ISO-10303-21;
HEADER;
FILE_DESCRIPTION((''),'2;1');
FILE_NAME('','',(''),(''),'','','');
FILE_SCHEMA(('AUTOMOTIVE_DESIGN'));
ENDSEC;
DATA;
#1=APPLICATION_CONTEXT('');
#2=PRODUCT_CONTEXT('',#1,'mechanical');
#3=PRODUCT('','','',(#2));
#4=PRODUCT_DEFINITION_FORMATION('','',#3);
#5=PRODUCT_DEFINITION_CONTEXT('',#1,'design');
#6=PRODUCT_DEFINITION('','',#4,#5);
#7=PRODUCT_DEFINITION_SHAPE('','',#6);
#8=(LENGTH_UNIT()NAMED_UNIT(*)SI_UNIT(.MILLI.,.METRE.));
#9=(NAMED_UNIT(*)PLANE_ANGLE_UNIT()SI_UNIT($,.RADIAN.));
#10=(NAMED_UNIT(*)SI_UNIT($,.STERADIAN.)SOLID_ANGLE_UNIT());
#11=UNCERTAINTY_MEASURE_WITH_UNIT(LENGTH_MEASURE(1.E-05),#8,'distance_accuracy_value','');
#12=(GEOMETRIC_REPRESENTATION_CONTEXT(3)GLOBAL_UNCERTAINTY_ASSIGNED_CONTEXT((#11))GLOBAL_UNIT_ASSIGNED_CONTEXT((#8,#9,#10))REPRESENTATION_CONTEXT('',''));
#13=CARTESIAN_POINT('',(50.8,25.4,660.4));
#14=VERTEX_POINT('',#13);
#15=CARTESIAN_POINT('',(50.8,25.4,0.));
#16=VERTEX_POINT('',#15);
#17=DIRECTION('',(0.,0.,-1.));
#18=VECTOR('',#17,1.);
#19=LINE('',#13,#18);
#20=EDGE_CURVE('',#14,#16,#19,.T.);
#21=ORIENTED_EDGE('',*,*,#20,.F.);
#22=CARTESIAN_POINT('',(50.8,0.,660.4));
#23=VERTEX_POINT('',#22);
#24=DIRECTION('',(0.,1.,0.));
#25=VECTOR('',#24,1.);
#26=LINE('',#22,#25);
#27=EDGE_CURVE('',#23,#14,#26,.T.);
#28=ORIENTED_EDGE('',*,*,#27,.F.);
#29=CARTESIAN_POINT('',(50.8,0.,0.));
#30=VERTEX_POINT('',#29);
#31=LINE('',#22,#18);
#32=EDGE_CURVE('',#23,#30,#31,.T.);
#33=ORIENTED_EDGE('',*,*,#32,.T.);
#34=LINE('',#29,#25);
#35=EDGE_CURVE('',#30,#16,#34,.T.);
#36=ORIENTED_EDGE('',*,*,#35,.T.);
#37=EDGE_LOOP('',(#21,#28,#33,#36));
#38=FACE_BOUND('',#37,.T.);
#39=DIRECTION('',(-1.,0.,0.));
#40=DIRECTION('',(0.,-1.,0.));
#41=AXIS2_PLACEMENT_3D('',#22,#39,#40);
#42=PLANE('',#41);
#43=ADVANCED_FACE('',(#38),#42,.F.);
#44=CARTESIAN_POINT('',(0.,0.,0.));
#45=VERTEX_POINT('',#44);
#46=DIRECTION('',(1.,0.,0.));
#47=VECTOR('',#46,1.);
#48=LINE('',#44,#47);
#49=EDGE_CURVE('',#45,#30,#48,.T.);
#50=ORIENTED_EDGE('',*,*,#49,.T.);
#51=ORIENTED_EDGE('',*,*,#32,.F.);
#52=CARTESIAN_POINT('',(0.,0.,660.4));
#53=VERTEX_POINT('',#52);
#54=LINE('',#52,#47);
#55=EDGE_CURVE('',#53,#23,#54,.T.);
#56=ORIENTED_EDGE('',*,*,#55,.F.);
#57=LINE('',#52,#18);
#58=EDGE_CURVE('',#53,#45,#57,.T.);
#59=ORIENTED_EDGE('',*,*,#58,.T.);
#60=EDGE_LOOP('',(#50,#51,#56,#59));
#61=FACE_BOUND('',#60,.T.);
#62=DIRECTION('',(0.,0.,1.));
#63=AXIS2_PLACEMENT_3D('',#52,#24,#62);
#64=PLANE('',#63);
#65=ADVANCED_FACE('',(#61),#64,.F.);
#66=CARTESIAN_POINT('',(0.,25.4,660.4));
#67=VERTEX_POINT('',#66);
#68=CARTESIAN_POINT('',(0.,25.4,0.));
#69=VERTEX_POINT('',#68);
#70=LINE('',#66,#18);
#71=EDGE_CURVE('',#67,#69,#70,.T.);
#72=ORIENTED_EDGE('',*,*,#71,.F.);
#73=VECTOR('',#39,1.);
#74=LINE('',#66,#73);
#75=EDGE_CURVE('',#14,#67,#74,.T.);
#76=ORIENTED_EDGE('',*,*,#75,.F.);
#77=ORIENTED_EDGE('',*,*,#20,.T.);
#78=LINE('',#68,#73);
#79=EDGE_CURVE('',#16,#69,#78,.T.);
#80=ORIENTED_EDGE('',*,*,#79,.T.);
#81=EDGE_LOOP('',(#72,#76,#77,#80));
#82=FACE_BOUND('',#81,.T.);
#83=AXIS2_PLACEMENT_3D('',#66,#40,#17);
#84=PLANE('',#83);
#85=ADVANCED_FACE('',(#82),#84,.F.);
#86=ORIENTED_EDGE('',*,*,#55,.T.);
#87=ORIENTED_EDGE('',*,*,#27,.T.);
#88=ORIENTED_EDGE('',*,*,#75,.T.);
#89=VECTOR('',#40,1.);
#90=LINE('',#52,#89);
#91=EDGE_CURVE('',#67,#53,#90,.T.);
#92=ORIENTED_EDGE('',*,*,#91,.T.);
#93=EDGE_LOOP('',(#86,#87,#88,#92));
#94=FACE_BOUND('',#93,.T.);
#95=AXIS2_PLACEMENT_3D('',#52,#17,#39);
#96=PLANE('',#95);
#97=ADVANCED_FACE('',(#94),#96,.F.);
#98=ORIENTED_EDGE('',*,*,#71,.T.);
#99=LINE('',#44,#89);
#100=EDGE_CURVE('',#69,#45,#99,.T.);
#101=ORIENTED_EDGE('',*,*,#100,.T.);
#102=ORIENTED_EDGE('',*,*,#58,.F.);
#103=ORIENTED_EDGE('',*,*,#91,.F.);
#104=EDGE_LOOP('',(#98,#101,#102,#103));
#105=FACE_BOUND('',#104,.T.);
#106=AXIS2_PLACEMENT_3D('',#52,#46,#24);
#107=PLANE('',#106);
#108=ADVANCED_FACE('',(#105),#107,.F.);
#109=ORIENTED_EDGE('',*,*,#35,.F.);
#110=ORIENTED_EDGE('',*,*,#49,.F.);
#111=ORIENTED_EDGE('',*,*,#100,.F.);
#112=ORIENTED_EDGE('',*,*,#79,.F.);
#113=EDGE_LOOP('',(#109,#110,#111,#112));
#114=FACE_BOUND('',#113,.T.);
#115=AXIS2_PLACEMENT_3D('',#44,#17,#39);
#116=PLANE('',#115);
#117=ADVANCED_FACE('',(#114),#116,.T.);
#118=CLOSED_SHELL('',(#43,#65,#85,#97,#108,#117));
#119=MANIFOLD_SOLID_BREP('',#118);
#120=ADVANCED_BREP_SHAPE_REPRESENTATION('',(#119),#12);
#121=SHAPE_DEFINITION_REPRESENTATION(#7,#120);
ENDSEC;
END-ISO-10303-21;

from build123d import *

# Parameters (mm, degrees)
SKETCH2_W           = 50.8
SKETCH2_H           = 25.4
BOSS_EXTRUDE1_DEPTH = 660.4


with BuildPart() as part:
    # Sketch2 → Boss-Extrude1 (new body)
    with BuildSketch(Plane.XY):
        with Locations((25.4, 12.7)):
            Rectangle(SKETCH2_W, SKETCH2_H)
    extrude(amount=BOSS_EXTRUDE1_DEPTH)


solid = part.part
